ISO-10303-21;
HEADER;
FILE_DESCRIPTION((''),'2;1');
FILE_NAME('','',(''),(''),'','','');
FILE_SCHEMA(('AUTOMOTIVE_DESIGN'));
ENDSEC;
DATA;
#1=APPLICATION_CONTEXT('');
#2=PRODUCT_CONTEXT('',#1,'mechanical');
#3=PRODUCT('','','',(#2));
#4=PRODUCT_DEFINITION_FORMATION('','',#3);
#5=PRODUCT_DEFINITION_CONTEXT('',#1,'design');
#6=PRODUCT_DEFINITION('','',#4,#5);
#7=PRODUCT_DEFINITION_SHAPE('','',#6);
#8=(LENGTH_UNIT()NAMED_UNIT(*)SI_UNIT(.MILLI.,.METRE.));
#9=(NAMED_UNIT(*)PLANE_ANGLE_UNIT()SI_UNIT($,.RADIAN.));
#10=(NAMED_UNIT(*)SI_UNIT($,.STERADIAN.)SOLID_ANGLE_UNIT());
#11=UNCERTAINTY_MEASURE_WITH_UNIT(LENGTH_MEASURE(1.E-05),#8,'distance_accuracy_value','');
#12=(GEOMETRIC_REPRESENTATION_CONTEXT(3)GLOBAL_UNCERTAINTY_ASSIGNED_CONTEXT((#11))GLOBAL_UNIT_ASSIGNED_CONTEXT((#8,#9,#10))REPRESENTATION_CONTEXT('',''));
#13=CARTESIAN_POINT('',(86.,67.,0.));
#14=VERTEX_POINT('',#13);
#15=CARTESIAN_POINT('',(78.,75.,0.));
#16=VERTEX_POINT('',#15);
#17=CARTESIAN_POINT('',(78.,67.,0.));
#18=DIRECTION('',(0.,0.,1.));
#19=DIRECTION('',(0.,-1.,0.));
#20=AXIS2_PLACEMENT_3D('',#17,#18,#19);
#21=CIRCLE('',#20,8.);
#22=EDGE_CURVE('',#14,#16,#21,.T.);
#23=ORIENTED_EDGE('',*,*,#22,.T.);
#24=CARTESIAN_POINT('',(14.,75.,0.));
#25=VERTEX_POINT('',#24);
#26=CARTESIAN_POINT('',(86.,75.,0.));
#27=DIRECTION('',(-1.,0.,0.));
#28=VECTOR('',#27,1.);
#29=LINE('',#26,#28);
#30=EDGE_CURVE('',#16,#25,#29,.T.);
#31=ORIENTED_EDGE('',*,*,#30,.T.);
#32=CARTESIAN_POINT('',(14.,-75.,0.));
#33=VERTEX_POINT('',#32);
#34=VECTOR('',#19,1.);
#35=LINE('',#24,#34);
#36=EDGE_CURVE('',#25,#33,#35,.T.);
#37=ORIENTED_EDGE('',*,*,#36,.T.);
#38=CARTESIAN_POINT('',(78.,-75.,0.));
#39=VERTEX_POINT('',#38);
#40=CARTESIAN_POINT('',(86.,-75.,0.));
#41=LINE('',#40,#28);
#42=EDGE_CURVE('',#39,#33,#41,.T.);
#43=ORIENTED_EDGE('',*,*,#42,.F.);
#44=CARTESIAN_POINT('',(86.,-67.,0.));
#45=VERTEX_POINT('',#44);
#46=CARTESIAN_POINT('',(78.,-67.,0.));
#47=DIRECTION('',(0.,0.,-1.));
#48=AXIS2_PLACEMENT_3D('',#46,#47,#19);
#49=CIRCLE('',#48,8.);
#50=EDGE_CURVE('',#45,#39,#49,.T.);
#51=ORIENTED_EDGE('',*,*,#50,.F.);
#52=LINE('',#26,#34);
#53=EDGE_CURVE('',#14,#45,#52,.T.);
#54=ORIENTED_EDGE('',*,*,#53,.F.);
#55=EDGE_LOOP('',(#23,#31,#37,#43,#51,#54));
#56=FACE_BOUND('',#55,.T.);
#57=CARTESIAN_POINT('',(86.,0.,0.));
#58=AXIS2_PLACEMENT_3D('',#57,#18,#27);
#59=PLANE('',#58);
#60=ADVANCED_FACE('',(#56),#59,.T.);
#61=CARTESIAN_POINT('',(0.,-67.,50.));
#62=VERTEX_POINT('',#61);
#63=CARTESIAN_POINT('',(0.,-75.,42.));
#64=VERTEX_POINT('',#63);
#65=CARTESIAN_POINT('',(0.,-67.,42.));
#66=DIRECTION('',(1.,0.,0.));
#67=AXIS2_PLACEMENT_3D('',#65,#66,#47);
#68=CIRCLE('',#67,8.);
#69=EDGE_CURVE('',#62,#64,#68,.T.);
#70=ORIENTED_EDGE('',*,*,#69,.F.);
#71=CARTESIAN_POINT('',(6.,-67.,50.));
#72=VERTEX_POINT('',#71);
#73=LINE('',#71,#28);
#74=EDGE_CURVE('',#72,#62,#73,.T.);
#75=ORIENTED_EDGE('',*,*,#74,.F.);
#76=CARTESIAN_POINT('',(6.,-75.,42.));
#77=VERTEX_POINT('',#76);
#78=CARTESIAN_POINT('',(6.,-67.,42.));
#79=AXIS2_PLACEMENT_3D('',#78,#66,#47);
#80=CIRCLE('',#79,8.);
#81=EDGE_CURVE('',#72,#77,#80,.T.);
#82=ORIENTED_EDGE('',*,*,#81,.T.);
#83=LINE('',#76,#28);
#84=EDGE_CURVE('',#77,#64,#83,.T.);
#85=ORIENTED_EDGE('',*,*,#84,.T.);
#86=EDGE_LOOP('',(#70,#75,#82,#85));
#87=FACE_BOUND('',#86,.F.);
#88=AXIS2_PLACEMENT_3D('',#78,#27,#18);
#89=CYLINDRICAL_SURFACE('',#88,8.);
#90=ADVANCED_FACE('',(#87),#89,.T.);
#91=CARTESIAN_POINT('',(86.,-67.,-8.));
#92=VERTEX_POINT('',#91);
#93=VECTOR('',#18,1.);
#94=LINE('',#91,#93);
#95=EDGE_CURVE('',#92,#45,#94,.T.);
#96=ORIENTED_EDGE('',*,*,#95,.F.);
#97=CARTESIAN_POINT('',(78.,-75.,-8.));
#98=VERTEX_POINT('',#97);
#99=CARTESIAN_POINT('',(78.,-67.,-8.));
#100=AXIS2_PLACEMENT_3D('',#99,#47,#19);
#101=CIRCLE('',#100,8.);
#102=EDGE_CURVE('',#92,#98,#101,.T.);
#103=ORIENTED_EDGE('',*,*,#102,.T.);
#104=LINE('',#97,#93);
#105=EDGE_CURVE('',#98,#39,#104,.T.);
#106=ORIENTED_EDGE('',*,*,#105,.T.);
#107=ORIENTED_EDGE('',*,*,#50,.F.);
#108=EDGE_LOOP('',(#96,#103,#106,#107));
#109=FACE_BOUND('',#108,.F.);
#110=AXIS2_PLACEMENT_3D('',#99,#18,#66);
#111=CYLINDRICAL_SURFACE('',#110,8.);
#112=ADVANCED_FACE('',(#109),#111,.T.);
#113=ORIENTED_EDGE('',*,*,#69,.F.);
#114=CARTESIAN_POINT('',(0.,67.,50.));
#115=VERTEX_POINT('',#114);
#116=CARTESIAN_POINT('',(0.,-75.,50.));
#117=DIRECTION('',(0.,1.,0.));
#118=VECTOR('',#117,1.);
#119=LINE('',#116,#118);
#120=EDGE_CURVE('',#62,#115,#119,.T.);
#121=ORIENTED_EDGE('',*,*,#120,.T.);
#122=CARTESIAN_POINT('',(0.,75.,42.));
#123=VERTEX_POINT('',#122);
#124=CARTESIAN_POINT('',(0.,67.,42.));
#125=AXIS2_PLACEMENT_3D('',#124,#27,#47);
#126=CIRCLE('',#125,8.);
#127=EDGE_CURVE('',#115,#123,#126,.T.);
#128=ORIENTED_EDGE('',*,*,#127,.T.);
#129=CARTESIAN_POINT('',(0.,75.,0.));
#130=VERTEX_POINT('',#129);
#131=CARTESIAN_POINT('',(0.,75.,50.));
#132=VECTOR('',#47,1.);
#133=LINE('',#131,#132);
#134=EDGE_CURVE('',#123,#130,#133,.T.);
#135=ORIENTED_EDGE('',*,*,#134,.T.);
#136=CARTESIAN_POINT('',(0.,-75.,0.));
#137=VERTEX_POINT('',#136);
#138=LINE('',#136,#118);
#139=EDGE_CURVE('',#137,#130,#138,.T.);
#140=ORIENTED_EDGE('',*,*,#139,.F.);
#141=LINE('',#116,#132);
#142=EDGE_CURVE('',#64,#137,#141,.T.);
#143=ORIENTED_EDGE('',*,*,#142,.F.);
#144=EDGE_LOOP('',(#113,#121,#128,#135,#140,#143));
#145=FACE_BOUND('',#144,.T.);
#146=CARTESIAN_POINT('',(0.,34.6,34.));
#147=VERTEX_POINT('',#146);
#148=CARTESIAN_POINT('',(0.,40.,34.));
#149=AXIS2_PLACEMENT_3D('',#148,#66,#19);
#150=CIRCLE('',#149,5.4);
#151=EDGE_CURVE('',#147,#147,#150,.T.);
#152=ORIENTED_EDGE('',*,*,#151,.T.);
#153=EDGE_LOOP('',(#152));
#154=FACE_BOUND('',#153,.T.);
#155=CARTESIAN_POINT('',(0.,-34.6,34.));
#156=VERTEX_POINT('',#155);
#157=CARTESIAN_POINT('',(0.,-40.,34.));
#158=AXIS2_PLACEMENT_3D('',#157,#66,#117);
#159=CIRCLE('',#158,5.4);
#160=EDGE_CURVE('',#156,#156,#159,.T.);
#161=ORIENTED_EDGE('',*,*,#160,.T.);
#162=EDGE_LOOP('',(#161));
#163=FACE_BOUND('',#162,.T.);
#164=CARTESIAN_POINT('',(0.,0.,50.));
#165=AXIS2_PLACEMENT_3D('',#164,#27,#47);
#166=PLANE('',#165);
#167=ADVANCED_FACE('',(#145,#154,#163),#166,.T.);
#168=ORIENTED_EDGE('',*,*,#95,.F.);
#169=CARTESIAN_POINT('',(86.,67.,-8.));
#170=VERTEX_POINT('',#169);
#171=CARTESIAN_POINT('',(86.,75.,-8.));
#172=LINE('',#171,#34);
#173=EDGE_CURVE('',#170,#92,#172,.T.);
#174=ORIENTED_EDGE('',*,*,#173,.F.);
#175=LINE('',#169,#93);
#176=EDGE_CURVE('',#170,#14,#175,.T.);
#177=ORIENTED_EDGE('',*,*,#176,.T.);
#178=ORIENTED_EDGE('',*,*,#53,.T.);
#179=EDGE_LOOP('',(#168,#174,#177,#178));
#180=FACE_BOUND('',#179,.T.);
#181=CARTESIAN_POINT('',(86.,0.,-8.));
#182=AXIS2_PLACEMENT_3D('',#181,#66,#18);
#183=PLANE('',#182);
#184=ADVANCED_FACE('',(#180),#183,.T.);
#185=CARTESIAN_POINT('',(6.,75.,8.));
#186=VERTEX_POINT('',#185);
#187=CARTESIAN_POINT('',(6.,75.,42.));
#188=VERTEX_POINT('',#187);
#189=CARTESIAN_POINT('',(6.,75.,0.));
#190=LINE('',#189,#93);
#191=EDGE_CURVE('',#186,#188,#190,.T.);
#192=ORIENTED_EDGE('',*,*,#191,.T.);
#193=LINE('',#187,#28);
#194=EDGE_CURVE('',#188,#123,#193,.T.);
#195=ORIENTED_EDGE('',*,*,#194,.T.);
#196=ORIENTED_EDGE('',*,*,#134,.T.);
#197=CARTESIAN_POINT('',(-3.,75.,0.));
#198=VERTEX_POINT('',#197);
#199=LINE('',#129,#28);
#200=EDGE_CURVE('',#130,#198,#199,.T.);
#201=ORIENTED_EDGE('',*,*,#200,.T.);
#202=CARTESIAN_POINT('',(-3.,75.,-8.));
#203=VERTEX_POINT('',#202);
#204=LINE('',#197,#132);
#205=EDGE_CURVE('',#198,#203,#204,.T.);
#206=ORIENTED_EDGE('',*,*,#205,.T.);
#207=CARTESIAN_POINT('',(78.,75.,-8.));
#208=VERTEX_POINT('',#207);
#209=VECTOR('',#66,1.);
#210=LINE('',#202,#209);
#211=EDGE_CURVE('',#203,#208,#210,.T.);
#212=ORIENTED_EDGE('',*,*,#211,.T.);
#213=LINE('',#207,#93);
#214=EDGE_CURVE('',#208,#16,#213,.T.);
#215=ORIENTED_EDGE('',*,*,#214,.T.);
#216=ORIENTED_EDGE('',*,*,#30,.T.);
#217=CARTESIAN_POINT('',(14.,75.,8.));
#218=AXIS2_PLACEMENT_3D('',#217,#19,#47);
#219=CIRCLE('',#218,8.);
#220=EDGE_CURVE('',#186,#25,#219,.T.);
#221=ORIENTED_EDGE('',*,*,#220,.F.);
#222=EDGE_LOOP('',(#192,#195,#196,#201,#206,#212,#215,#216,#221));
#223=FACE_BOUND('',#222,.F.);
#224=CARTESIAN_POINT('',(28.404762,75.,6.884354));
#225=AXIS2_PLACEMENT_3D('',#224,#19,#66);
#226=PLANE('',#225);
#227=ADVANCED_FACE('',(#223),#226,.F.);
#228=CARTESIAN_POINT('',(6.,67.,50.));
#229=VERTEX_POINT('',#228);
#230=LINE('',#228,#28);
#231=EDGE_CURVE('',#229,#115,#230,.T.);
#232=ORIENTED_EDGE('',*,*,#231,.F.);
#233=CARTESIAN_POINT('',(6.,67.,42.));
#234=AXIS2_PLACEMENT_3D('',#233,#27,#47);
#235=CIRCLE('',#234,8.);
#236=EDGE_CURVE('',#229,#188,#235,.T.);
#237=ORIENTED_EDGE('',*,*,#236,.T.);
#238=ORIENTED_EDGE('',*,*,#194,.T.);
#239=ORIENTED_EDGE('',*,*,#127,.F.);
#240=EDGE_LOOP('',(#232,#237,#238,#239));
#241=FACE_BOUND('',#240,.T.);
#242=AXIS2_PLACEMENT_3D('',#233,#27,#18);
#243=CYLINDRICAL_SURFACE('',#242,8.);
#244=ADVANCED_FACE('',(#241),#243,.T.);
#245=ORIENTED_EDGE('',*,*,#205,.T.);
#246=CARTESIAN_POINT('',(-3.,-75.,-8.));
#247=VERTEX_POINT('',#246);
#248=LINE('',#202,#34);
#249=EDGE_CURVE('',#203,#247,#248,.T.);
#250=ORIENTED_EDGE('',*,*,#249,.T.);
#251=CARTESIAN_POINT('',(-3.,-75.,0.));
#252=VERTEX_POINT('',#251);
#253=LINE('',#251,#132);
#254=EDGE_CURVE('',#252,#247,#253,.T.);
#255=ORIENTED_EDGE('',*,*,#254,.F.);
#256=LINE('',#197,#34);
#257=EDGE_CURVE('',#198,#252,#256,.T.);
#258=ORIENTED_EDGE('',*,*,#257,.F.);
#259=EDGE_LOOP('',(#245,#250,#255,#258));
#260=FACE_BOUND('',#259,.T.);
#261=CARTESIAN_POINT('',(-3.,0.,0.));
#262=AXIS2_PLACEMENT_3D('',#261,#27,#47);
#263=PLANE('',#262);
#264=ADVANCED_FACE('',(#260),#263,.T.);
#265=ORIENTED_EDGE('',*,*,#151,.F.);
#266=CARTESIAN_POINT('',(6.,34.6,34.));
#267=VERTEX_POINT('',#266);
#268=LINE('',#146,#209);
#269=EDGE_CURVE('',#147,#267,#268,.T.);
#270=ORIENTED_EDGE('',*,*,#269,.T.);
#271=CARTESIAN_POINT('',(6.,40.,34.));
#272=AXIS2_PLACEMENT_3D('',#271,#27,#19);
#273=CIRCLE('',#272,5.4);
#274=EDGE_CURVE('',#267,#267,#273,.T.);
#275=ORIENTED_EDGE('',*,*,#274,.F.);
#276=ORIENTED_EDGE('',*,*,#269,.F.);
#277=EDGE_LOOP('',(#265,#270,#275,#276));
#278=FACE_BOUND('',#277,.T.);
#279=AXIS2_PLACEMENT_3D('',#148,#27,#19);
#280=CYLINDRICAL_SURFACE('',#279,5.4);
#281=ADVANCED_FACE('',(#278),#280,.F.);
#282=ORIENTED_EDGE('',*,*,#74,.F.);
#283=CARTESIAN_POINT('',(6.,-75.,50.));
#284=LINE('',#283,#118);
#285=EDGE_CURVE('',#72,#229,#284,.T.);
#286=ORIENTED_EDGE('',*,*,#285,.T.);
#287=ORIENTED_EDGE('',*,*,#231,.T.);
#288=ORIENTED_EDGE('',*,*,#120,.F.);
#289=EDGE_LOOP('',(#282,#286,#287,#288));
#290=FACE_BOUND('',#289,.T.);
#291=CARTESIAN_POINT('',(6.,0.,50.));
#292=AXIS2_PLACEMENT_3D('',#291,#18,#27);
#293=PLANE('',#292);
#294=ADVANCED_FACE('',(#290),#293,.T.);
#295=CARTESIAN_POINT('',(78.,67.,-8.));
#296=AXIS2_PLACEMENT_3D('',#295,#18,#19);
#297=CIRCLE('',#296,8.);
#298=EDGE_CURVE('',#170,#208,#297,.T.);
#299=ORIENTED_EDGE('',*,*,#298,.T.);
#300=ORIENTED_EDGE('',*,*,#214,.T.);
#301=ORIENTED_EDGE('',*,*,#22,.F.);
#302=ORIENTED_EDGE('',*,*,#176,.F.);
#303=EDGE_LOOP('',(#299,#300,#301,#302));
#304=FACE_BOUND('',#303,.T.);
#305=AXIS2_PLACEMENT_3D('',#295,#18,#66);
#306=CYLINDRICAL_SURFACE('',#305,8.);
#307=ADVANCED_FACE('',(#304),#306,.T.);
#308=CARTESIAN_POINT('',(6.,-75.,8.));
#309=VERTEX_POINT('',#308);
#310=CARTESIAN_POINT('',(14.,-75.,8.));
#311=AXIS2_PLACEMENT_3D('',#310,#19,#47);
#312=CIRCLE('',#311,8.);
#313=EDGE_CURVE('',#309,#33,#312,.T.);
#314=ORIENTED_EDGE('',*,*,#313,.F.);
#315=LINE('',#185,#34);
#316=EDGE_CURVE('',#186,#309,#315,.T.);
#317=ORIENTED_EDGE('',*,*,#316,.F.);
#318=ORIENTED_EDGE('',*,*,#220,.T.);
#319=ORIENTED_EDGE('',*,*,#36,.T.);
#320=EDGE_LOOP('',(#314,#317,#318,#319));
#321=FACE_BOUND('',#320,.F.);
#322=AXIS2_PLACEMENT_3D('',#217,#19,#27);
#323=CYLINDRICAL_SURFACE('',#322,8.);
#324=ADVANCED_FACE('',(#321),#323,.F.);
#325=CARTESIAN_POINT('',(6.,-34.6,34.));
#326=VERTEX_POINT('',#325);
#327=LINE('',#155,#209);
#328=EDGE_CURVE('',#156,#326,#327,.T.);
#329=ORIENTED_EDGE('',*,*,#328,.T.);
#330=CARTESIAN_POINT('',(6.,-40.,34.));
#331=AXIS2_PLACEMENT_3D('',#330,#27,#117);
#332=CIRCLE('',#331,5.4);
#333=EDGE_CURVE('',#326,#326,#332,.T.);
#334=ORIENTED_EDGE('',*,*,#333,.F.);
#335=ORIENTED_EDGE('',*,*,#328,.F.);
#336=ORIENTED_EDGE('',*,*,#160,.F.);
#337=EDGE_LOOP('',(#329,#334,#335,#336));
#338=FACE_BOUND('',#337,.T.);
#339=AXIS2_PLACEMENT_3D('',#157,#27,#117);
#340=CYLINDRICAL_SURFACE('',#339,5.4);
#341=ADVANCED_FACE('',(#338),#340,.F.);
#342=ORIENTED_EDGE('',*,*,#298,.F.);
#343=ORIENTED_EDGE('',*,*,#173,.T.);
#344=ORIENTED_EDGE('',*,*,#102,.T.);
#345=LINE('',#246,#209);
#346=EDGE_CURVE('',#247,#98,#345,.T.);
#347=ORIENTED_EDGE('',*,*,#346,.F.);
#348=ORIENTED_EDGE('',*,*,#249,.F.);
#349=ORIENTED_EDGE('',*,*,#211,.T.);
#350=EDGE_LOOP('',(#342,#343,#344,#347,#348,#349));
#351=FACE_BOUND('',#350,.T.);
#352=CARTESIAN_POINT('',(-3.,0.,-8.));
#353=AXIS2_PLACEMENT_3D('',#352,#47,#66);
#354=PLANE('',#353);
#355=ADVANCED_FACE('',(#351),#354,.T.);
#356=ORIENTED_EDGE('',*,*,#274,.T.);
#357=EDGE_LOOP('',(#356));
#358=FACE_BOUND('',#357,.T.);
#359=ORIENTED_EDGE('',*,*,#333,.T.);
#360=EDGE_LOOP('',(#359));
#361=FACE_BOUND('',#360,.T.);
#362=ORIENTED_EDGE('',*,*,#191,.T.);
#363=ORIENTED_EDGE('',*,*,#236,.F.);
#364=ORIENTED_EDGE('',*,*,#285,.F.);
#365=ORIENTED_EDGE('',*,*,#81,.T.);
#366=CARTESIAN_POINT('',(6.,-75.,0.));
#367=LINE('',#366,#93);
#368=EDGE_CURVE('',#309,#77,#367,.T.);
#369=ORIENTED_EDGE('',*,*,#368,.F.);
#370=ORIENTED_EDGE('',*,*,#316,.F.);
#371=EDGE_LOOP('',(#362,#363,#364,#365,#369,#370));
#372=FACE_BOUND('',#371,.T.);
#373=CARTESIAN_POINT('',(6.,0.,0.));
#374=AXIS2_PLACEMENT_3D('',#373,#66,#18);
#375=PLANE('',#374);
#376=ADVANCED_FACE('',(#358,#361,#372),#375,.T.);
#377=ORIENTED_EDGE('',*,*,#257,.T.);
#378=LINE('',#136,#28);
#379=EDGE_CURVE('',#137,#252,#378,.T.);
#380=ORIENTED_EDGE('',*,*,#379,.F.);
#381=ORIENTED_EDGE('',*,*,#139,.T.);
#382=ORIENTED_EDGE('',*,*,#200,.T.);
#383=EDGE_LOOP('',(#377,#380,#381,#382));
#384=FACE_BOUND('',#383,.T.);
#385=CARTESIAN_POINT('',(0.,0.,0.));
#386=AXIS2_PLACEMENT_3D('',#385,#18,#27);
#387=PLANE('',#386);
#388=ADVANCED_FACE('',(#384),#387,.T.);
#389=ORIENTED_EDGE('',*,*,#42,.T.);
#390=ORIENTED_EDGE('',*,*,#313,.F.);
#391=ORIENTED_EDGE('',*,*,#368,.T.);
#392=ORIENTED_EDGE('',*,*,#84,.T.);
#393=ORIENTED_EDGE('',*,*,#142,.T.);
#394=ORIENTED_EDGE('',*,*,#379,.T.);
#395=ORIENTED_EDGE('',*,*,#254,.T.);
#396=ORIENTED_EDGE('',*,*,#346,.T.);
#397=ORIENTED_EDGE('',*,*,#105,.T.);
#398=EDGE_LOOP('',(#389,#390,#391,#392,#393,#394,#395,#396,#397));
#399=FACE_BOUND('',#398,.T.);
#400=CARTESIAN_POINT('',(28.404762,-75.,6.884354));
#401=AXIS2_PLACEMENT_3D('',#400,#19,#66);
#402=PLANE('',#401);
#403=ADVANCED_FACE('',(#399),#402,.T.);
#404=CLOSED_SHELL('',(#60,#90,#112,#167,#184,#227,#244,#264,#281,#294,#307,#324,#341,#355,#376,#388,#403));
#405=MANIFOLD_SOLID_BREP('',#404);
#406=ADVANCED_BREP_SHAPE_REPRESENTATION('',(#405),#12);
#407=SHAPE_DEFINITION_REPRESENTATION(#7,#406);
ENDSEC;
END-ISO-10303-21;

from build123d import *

# Parameters (mm, degrees)
F1_DEPTH = 75
F2_R     = 8
F3_R     = 5.4
F4_DEPTH = 25


with BuildPart() as f1:
    # F0 (on Front) → F1 (new body, symmetric)
    with BuildSketch(Plane.XZ):
        Polygon((0, 0), (-3, 0), (-3, -8), (86, -8), (86, 0), (6, 0), (6, 50), (0, 50), align=None)
    extrude(amount=F1_DEPTH, both=True)

    # F2
    f2_edges = [f1.edges().sort_by_distance(p)[0] for p in [
        (86, 75, -4),
        (86, -75, -4),
        (3, 75, 50),
        (3, -75, 50),
        (6, 0, 0),
    ]]
    fillet(f2_edges, radius=F2_R)

    # F3 (on Right) → F4 (cut)
    with BuildSketch(Plane.YZ):
        with Locations((-40, 34)):
            Circle(F3_R)
        with BuildLine():
            ThreePointArc((45.4, 34), (40, 39.4), (34.6, 34))
            ThreePointArc((34.6, 34), (40, 28.6), (45.4, 34))
        make_face()
    extrude(amount=F4_DEPTH, mode=Mode.SUBTRACT)


solid = f1.part
